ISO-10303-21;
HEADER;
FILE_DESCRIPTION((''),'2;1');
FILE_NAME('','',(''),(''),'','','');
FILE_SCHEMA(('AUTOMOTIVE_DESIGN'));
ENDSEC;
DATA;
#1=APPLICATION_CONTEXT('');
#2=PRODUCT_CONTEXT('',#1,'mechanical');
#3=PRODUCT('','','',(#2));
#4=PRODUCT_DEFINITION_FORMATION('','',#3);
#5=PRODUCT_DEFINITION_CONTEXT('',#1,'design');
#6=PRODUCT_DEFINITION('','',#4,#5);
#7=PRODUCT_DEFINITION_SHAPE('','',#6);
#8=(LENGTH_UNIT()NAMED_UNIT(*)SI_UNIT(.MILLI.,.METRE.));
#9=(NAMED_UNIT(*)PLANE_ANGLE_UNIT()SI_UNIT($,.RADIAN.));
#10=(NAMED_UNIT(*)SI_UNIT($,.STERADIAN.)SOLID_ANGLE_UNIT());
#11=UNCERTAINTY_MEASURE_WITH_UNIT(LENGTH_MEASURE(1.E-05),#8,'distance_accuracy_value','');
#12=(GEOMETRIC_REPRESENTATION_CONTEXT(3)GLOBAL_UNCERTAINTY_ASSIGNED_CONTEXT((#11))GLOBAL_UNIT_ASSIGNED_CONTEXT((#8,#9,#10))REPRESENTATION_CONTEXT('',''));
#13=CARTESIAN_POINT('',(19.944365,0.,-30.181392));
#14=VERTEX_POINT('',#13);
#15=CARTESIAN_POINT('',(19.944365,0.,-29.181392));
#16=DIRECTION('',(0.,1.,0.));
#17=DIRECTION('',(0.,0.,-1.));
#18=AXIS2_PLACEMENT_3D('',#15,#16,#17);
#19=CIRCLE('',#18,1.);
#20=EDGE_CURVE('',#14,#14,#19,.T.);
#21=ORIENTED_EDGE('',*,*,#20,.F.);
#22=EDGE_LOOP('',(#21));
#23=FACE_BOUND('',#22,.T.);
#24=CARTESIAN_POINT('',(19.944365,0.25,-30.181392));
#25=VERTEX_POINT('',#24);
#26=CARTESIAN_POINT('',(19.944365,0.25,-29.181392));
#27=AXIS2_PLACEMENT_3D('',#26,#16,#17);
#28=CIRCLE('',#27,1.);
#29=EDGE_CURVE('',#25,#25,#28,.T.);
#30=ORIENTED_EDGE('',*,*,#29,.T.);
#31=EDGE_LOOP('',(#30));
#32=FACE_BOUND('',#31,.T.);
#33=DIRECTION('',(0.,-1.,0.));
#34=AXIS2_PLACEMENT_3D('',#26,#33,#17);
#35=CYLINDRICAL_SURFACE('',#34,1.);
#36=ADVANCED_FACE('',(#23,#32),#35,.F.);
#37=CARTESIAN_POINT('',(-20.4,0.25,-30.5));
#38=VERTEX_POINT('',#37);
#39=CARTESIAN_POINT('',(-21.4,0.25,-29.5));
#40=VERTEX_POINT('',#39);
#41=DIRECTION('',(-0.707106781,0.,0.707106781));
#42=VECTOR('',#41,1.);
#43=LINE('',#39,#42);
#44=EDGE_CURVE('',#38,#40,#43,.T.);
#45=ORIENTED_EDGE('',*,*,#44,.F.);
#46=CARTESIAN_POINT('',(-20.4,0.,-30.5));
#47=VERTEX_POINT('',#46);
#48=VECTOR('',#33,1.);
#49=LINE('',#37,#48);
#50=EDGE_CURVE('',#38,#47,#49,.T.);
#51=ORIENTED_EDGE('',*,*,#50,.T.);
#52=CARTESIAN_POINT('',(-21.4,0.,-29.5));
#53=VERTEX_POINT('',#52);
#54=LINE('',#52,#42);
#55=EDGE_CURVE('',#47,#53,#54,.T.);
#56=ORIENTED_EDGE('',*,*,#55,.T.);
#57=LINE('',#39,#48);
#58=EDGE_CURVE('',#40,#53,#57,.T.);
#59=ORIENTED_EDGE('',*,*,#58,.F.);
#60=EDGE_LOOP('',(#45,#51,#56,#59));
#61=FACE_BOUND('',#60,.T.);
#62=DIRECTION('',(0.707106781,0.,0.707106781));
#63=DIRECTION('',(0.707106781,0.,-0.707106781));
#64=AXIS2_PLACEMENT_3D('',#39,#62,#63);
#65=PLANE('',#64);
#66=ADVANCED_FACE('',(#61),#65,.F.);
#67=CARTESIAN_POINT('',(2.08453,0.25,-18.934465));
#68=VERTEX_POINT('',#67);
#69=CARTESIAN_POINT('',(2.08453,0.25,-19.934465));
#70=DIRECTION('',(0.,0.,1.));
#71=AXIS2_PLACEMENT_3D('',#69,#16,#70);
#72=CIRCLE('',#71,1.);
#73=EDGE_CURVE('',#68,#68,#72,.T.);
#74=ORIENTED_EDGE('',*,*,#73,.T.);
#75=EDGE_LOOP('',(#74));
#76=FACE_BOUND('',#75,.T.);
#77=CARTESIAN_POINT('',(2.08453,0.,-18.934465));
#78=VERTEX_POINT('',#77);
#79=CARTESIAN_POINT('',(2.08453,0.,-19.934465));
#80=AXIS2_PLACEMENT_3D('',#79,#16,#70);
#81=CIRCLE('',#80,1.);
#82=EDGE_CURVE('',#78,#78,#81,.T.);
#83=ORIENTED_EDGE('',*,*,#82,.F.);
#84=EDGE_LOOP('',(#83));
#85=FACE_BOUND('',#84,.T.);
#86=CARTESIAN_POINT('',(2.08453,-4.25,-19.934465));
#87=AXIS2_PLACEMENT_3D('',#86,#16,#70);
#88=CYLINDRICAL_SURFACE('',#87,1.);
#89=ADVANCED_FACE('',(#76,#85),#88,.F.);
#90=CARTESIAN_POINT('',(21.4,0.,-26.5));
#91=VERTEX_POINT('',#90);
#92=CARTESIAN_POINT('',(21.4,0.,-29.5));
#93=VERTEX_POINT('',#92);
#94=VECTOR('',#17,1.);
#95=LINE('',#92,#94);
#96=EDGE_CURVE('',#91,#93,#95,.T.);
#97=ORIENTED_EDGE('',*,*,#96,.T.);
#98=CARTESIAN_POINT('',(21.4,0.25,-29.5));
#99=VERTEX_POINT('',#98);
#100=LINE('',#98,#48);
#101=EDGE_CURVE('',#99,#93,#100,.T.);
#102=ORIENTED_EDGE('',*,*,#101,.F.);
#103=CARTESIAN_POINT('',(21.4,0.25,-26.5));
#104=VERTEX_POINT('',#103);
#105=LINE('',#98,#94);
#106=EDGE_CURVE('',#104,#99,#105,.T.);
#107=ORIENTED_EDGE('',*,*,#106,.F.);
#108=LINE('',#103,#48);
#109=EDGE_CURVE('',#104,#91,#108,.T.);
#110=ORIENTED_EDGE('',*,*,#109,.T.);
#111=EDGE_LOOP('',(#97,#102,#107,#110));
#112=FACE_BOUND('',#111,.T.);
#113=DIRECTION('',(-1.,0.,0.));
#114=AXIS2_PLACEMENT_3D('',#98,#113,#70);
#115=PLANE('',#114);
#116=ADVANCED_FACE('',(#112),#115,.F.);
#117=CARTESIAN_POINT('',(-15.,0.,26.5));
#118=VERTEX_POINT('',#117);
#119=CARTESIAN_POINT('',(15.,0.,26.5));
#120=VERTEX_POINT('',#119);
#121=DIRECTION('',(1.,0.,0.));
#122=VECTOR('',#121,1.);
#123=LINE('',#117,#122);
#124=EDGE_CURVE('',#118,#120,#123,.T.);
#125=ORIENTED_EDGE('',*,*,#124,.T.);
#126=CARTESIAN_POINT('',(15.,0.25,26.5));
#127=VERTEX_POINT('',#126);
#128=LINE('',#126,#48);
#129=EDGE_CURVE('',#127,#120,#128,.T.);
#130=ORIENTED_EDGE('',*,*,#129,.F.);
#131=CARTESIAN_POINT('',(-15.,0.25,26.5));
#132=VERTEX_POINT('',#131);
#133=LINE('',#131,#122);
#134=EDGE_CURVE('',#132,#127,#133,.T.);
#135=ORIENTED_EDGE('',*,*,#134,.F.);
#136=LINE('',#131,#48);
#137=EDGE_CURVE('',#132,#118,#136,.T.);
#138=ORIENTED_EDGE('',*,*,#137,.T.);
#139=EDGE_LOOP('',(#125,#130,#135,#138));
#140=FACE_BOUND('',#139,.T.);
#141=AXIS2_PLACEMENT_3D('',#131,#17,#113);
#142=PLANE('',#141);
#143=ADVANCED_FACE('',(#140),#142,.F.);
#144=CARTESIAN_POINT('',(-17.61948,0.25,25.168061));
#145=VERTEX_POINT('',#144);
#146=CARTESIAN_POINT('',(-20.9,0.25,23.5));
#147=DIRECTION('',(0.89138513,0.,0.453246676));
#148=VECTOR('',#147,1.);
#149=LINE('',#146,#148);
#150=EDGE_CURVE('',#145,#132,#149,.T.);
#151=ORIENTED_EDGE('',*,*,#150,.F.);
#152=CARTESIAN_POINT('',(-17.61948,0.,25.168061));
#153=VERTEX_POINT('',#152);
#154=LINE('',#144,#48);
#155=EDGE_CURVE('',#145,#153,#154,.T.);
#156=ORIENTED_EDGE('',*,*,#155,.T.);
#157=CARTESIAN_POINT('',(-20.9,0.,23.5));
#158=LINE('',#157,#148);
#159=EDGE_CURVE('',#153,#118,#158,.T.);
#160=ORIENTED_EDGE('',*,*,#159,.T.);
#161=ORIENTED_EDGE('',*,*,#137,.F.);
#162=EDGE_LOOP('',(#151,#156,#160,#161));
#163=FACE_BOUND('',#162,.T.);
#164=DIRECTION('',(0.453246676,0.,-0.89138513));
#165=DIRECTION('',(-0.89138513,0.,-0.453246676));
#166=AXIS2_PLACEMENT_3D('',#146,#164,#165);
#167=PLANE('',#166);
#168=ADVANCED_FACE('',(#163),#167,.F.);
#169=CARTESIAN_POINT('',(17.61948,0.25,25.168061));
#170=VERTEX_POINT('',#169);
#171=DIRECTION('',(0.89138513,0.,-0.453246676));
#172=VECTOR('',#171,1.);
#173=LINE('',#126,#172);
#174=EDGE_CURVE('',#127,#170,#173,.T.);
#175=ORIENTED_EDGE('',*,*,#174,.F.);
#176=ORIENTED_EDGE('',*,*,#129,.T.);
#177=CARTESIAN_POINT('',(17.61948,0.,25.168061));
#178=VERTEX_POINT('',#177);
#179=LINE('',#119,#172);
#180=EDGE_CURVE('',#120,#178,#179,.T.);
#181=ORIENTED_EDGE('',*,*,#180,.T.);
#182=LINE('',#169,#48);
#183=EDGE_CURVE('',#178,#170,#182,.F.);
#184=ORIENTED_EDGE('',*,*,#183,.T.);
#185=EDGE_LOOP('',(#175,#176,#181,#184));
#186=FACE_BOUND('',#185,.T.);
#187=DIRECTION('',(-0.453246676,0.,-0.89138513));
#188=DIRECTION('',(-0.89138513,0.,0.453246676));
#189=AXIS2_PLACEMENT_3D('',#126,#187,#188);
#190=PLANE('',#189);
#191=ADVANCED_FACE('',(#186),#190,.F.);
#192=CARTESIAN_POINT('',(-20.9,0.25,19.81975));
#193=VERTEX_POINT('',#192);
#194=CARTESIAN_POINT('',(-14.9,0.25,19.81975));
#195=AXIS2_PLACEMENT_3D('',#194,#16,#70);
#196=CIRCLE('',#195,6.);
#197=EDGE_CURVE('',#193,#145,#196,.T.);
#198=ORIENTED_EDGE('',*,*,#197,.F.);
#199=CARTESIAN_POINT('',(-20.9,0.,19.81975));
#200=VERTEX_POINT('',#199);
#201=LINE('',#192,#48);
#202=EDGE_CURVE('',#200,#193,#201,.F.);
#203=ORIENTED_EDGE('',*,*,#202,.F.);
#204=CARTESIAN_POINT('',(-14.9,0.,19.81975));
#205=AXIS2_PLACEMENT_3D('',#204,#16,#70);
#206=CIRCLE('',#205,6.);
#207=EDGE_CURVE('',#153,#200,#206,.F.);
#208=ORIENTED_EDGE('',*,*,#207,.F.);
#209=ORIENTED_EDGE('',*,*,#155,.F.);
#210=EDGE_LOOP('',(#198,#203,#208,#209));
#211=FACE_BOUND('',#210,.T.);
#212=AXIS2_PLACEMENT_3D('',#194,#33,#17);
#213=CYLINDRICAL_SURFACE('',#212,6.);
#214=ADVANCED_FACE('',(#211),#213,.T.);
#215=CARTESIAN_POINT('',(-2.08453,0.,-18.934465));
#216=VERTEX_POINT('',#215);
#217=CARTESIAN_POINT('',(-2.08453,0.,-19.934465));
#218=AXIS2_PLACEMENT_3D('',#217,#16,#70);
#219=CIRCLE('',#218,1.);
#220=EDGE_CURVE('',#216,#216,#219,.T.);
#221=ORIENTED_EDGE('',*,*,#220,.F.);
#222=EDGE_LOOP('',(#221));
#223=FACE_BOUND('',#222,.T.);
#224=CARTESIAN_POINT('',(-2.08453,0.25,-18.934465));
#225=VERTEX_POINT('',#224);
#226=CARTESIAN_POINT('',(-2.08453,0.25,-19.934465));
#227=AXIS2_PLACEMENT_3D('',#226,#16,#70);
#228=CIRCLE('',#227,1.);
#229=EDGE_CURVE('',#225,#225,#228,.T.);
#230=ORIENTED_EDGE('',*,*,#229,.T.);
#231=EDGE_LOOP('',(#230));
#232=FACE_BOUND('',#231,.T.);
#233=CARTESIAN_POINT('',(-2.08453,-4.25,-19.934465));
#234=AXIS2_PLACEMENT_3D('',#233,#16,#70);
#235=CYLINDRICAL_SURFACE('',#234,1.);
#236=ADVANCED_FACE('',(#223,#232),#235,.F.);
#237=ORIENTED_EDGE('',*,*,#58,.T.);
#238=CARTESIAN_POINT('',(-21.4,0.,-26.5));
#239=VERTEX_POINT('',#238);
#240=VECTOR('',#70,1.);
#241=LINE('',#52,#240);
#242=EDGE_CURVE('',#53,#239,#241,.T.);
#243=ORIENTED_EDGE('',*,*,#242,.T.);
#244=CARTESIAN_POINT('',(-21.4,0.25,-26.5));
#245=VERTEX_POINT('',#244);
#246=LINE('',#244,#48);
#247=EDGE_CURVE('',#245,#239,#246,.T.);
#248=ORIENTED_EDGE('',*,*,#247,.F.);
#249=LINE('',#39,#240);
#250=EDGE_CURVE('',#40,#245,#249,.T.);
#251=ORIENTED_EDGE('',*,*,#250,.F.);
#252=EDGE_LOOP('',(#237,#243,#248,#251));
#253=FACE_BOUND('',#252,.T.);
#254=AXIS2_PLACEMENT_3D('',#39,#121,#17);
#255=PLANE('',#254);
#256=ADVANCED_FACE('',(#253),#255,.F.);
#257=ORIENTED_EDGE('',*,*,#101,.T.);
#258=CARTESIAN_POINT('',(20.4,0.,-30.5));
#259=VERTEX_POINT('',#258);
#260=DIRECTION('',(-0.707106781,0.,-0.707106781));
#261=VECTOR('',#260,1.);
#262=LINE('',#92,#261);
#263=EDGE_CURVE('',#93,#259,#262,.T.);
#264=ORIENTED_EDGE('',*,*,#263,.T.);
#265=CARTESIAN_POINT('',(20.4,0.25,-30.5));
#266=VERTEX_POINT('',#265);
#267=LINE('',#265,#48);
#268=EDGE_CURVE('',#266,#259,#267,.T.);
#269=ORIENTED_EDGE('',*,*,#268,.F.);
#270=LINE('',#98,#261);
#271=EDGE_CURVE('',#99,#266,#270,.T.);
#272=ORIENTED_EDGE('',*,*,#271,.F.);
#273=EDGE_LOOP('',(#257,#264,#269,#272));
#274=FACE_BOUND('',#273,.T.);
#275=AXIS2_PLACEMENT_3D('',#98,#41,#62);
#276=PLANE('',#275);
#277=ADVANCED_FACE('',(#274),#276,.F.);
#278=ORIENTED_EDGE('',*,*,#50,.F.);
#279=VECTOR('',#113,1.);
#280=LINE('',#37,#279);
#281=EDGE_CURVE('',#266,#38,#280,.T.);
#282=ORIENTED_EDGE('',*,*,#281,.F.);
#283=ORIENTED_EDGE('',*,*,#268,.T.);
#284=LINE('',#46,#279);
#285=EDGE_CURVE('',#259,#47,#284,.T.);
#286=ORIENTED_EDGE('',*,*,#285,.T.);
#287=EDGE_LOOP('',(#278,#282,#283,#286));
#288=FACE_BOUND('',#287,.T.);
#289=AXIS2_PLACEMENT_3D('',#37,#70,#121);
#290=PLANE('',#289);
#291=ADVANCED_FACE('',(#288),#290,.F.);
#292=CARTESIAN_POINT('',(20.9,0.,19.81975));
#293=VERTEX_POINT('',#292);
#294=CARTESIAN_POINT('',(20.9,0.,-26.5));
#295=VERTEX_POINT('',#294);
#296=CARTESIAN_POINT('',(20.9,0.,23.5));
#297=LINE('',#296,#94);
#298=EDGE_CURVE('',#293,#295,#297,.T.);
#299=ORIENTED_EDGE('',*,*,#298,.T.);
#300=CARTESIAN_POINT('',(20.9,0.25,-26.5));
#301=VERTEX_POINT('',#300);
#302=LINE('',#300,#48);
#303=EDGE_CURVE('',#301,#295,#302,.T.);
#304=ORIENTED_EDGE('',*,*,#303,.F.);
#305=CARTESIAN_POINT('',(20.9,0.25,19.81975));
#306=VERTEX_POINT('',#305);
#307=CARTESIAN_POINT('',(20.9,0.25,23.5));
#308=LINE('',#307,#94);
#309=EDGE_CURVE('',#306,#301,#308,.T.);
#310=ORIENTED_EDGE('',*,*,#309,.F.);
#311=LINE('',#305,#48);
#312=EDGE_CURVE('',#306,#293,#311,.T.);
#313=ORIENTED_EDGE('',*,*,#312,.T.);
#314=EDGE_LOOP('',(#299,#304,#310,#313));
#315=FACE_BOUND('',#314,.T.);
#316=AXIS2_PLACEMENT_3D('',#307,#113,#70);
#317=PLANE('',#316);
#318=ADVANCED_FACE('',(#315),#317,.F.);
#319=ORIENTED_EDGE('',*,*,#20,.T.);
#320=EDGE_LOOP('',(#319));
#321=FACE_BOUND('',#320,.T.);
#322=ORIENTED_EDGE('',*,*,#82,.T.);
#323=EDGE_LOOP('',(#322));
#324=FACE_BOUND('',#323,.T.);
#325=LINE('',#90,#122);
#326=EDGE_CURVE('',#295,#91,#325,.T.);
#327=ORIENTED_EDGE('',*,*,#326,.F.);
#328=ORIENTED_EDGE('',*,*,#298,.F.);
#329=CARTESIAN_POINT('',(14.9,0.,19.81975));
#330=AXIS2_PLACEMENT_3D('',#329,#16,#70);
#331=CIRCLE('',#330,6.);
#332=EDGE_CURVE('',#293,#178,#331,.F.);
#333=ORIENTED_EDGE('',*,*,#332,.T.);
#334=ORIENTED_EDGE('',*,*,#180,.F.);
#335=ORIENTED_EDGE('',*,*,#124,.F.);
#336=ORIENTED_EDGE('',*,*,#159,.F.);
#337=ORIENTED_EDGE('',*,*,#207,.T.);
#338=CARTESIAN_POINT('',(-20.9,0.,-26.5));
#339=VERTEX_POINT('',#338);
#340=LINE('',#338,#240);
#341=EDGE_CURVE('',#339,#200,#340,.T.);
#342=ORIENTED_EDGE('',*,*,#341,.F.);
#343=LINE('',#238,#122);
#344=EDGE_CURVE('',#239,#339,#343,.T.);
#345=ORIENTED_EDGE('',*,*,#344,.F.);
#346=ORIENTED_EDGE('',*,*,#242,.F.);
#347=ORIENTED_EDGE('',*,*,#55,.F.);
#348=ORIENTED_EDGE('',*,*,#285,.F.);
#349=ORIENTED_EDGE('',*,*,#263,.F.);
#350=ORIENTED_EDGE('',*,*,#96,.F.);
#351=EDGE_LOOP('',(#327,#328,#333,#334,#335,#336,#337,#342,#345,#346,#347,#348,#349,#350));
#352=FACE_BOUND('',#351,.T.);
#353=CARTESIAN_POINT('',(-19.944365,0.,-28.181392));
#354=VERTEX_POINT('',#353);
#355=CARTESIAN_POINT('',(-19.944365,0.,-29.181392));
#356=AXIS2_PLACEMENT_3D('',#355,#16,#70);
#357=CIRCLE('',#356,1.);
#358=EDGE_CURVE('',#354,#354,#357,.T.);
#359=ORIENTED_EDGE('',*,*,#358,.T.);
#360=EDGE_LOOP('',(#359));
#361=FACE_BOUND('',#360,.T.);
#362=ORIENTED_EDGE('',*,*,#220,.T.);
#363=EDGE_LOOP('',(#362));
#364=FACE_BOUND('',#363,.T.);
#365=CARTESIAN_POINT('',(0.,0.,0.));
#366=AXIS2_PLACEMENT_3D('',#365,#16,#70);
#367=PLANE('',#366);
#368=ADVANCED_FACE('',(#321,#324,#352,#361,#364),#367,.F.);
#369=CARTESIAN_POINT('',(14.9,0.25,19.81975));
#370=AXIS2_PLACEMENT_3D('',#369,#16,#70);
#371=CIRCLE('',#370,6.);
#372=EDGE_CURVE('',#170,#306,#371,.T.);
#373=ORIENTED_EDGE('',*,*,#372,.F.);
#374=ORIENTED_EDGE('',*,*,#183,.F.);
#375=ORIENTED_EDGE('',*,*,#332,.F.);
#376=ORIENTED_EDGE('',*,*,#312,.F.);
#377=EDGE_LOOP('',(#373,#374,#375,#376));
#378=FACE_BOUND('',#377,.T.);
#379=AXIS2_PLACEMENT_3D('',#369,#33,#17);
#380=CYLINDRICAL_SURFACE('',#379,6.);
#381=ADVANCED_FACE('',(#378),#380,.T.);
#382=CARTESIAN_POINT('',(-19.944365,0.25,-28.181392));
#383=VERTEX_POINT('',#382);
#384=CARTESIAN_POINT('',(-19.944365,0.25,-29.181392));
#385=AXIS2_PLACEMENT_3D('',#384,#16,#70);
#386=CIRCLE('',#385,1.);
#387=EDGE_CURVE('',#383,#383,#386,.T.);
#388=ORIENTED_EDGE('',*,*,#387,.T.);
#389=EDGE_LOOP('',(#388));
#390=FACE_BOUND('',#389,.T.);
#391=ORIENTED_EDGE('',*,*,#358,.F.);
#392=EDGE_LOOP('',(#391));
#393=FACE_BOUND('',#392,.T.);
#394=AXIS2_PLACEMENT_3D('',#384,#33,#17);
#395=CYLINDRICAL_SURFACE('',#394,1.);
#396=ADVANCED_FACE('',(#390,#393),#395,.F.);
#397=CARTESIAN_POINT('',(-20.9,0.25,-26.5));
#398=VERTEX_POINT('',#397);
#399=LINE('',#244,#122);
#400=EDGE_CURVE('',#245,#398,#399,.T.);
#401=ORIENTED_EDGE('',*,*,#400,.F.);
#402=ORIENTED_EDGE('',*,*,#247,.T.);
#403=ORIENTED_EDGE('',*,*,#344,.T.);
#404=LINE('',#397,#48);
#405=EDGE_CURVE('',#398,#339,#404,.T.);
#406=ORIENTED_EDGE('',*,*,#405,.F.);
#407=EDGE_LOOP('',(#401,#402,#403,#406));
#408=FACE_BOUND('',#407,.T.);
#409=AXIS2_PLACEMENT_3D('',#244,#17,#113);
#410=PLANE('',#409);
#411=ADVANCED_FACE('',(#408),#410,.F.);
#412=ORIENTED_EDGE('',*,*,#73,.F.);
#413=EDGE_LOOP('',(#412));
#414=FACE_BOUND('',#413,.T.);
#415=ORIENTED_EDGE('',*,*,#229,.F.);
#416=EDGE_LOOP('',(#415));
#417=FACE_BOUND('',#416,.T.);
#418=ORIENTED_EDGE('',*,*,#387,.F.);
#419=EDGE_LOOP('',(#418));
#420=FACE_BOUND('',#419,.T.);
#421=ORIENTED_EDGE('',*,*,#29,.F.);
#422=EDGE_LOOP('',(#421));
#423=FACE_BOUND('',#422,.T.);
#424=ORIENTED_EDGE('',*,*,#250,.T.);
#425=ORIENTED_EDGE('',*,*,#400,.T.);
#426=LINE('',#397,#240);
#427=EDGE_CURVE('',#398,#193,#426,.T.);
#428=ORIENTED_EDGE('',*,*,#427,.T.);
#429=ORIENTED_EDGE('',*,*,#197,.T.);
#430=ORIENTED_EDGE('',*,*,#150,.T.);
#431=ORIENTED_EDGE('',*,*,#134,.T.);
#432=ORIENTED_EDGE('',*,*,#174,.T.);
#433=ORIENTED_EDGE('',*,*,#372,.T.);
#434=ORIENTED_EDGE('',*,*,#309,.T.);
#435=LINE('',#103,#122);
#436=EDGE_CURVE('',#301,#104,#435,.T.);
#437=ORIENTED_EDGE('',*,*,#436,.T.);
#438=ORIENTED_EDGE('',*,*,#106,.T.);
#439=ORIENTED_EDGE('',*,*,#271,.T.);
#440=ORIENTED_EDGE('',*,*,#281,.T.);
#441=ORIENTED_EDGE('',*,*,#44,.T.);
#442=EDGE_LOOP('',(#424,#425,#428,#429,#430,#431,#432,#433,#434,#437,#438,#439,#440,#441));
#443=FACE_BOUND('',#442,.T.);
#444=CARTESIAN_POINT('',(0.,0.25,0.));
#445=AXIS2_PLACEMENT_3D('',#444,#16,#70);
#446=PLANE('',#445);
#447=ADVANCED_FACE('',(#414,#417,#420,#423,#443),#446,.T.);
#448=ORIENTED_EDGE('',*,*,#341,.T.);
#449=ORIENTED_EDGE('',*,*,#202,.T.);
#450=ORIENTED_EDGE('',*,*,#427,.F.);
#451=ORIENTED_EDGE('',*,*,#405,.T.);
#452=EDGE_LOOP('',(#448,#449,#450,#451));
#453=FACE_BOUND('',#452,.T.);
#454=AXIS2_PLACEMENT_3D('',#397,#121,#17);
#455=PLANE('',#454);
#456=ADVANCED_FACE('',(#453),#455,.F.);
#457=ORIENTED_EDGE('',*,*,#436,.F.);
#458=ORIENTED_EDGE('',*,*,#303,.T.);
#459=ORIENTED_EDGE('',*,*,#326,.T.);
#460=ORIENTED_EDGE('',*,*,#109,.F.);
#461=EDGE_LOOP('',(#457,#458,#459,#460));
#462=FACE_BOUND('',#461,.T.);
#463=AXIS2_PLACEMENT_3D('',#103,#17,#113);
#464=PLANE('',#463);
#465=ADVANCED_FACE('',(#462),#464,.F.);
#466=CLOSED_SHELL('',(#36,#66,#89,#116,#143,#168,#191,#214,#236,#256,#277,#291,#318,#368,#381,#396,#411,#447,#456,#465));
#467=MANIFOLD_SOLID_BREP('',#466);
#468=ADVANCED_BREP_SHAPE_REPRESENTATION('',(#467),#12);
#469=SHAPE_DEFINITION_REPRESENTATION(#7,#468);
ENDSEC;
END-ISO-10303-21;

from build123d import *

# Parameters (mm, degrees)
SKETCH1_R           = 1
BOSS_EXTRUDE1_DEPTH = 0.25
SKETCH2_R           = 1
CUT_EXTRUDE1_DEPTH  = 4.5
FILLET1_R           = 6


with BuildPart() as part:
    # Sketch1 → Boss-Extrude1 (new body)
    with BuildSketch(Plane(origin=(0, 0, 0), x_dir=(1, 0, 0), z_dir=(0, 1, 0))):
        Polygon((-21.4, 26.5), (-20.9, 26.5), (-20.9, -23.5), (-15, -26.5), (15, -26.5), (20.9, -23.5), (20.9, 26.5), (21.4, 26.5), (21.4, 29.5), (20.4, 30.5), (-20.4, 30.5), (-21.4, 29.5), align=None)
        with Locations((-19.944365081, 29.181392426)):
            Circle(SKETCH1_R, mode=Mode.SUBTRACT)
        with Locations((19.944365081, 29.181392426)):
            Circle(SKETCH1_R, mode=Mode.SUBTRACT)
    extrude(amount=BOSS_EXTRUDE1_DEPTH)

    # Sketch2 → Cut-Extrude1 (cut)
    with BuildSketch(Plane(origin=(0, 0.25, 0), x_dir=(1, 0, 0), z_dir=(0, 1, 0))):
        with Locations((-2.084530189, 19.934465076)):
            Circle(SKETCH2_R)
        with Locations((2.084530189, 19.934465076)):
            Circle(SKETCH2_R)
    extrude(amount=-CUT_EXTRUDE1_DEPTH, mode=Mode.SUBTRACT)

    # Fillet1
    fillet1_edges = [part.edges().sort_by_distance(p)[0] for p in [
        (20.9, 0.125, 23.5),
        (-20.9, 0.125, 23.5),
    ]]
    fillet(fillet1_edges, radius=FILLET1_R)


solid = part.part
